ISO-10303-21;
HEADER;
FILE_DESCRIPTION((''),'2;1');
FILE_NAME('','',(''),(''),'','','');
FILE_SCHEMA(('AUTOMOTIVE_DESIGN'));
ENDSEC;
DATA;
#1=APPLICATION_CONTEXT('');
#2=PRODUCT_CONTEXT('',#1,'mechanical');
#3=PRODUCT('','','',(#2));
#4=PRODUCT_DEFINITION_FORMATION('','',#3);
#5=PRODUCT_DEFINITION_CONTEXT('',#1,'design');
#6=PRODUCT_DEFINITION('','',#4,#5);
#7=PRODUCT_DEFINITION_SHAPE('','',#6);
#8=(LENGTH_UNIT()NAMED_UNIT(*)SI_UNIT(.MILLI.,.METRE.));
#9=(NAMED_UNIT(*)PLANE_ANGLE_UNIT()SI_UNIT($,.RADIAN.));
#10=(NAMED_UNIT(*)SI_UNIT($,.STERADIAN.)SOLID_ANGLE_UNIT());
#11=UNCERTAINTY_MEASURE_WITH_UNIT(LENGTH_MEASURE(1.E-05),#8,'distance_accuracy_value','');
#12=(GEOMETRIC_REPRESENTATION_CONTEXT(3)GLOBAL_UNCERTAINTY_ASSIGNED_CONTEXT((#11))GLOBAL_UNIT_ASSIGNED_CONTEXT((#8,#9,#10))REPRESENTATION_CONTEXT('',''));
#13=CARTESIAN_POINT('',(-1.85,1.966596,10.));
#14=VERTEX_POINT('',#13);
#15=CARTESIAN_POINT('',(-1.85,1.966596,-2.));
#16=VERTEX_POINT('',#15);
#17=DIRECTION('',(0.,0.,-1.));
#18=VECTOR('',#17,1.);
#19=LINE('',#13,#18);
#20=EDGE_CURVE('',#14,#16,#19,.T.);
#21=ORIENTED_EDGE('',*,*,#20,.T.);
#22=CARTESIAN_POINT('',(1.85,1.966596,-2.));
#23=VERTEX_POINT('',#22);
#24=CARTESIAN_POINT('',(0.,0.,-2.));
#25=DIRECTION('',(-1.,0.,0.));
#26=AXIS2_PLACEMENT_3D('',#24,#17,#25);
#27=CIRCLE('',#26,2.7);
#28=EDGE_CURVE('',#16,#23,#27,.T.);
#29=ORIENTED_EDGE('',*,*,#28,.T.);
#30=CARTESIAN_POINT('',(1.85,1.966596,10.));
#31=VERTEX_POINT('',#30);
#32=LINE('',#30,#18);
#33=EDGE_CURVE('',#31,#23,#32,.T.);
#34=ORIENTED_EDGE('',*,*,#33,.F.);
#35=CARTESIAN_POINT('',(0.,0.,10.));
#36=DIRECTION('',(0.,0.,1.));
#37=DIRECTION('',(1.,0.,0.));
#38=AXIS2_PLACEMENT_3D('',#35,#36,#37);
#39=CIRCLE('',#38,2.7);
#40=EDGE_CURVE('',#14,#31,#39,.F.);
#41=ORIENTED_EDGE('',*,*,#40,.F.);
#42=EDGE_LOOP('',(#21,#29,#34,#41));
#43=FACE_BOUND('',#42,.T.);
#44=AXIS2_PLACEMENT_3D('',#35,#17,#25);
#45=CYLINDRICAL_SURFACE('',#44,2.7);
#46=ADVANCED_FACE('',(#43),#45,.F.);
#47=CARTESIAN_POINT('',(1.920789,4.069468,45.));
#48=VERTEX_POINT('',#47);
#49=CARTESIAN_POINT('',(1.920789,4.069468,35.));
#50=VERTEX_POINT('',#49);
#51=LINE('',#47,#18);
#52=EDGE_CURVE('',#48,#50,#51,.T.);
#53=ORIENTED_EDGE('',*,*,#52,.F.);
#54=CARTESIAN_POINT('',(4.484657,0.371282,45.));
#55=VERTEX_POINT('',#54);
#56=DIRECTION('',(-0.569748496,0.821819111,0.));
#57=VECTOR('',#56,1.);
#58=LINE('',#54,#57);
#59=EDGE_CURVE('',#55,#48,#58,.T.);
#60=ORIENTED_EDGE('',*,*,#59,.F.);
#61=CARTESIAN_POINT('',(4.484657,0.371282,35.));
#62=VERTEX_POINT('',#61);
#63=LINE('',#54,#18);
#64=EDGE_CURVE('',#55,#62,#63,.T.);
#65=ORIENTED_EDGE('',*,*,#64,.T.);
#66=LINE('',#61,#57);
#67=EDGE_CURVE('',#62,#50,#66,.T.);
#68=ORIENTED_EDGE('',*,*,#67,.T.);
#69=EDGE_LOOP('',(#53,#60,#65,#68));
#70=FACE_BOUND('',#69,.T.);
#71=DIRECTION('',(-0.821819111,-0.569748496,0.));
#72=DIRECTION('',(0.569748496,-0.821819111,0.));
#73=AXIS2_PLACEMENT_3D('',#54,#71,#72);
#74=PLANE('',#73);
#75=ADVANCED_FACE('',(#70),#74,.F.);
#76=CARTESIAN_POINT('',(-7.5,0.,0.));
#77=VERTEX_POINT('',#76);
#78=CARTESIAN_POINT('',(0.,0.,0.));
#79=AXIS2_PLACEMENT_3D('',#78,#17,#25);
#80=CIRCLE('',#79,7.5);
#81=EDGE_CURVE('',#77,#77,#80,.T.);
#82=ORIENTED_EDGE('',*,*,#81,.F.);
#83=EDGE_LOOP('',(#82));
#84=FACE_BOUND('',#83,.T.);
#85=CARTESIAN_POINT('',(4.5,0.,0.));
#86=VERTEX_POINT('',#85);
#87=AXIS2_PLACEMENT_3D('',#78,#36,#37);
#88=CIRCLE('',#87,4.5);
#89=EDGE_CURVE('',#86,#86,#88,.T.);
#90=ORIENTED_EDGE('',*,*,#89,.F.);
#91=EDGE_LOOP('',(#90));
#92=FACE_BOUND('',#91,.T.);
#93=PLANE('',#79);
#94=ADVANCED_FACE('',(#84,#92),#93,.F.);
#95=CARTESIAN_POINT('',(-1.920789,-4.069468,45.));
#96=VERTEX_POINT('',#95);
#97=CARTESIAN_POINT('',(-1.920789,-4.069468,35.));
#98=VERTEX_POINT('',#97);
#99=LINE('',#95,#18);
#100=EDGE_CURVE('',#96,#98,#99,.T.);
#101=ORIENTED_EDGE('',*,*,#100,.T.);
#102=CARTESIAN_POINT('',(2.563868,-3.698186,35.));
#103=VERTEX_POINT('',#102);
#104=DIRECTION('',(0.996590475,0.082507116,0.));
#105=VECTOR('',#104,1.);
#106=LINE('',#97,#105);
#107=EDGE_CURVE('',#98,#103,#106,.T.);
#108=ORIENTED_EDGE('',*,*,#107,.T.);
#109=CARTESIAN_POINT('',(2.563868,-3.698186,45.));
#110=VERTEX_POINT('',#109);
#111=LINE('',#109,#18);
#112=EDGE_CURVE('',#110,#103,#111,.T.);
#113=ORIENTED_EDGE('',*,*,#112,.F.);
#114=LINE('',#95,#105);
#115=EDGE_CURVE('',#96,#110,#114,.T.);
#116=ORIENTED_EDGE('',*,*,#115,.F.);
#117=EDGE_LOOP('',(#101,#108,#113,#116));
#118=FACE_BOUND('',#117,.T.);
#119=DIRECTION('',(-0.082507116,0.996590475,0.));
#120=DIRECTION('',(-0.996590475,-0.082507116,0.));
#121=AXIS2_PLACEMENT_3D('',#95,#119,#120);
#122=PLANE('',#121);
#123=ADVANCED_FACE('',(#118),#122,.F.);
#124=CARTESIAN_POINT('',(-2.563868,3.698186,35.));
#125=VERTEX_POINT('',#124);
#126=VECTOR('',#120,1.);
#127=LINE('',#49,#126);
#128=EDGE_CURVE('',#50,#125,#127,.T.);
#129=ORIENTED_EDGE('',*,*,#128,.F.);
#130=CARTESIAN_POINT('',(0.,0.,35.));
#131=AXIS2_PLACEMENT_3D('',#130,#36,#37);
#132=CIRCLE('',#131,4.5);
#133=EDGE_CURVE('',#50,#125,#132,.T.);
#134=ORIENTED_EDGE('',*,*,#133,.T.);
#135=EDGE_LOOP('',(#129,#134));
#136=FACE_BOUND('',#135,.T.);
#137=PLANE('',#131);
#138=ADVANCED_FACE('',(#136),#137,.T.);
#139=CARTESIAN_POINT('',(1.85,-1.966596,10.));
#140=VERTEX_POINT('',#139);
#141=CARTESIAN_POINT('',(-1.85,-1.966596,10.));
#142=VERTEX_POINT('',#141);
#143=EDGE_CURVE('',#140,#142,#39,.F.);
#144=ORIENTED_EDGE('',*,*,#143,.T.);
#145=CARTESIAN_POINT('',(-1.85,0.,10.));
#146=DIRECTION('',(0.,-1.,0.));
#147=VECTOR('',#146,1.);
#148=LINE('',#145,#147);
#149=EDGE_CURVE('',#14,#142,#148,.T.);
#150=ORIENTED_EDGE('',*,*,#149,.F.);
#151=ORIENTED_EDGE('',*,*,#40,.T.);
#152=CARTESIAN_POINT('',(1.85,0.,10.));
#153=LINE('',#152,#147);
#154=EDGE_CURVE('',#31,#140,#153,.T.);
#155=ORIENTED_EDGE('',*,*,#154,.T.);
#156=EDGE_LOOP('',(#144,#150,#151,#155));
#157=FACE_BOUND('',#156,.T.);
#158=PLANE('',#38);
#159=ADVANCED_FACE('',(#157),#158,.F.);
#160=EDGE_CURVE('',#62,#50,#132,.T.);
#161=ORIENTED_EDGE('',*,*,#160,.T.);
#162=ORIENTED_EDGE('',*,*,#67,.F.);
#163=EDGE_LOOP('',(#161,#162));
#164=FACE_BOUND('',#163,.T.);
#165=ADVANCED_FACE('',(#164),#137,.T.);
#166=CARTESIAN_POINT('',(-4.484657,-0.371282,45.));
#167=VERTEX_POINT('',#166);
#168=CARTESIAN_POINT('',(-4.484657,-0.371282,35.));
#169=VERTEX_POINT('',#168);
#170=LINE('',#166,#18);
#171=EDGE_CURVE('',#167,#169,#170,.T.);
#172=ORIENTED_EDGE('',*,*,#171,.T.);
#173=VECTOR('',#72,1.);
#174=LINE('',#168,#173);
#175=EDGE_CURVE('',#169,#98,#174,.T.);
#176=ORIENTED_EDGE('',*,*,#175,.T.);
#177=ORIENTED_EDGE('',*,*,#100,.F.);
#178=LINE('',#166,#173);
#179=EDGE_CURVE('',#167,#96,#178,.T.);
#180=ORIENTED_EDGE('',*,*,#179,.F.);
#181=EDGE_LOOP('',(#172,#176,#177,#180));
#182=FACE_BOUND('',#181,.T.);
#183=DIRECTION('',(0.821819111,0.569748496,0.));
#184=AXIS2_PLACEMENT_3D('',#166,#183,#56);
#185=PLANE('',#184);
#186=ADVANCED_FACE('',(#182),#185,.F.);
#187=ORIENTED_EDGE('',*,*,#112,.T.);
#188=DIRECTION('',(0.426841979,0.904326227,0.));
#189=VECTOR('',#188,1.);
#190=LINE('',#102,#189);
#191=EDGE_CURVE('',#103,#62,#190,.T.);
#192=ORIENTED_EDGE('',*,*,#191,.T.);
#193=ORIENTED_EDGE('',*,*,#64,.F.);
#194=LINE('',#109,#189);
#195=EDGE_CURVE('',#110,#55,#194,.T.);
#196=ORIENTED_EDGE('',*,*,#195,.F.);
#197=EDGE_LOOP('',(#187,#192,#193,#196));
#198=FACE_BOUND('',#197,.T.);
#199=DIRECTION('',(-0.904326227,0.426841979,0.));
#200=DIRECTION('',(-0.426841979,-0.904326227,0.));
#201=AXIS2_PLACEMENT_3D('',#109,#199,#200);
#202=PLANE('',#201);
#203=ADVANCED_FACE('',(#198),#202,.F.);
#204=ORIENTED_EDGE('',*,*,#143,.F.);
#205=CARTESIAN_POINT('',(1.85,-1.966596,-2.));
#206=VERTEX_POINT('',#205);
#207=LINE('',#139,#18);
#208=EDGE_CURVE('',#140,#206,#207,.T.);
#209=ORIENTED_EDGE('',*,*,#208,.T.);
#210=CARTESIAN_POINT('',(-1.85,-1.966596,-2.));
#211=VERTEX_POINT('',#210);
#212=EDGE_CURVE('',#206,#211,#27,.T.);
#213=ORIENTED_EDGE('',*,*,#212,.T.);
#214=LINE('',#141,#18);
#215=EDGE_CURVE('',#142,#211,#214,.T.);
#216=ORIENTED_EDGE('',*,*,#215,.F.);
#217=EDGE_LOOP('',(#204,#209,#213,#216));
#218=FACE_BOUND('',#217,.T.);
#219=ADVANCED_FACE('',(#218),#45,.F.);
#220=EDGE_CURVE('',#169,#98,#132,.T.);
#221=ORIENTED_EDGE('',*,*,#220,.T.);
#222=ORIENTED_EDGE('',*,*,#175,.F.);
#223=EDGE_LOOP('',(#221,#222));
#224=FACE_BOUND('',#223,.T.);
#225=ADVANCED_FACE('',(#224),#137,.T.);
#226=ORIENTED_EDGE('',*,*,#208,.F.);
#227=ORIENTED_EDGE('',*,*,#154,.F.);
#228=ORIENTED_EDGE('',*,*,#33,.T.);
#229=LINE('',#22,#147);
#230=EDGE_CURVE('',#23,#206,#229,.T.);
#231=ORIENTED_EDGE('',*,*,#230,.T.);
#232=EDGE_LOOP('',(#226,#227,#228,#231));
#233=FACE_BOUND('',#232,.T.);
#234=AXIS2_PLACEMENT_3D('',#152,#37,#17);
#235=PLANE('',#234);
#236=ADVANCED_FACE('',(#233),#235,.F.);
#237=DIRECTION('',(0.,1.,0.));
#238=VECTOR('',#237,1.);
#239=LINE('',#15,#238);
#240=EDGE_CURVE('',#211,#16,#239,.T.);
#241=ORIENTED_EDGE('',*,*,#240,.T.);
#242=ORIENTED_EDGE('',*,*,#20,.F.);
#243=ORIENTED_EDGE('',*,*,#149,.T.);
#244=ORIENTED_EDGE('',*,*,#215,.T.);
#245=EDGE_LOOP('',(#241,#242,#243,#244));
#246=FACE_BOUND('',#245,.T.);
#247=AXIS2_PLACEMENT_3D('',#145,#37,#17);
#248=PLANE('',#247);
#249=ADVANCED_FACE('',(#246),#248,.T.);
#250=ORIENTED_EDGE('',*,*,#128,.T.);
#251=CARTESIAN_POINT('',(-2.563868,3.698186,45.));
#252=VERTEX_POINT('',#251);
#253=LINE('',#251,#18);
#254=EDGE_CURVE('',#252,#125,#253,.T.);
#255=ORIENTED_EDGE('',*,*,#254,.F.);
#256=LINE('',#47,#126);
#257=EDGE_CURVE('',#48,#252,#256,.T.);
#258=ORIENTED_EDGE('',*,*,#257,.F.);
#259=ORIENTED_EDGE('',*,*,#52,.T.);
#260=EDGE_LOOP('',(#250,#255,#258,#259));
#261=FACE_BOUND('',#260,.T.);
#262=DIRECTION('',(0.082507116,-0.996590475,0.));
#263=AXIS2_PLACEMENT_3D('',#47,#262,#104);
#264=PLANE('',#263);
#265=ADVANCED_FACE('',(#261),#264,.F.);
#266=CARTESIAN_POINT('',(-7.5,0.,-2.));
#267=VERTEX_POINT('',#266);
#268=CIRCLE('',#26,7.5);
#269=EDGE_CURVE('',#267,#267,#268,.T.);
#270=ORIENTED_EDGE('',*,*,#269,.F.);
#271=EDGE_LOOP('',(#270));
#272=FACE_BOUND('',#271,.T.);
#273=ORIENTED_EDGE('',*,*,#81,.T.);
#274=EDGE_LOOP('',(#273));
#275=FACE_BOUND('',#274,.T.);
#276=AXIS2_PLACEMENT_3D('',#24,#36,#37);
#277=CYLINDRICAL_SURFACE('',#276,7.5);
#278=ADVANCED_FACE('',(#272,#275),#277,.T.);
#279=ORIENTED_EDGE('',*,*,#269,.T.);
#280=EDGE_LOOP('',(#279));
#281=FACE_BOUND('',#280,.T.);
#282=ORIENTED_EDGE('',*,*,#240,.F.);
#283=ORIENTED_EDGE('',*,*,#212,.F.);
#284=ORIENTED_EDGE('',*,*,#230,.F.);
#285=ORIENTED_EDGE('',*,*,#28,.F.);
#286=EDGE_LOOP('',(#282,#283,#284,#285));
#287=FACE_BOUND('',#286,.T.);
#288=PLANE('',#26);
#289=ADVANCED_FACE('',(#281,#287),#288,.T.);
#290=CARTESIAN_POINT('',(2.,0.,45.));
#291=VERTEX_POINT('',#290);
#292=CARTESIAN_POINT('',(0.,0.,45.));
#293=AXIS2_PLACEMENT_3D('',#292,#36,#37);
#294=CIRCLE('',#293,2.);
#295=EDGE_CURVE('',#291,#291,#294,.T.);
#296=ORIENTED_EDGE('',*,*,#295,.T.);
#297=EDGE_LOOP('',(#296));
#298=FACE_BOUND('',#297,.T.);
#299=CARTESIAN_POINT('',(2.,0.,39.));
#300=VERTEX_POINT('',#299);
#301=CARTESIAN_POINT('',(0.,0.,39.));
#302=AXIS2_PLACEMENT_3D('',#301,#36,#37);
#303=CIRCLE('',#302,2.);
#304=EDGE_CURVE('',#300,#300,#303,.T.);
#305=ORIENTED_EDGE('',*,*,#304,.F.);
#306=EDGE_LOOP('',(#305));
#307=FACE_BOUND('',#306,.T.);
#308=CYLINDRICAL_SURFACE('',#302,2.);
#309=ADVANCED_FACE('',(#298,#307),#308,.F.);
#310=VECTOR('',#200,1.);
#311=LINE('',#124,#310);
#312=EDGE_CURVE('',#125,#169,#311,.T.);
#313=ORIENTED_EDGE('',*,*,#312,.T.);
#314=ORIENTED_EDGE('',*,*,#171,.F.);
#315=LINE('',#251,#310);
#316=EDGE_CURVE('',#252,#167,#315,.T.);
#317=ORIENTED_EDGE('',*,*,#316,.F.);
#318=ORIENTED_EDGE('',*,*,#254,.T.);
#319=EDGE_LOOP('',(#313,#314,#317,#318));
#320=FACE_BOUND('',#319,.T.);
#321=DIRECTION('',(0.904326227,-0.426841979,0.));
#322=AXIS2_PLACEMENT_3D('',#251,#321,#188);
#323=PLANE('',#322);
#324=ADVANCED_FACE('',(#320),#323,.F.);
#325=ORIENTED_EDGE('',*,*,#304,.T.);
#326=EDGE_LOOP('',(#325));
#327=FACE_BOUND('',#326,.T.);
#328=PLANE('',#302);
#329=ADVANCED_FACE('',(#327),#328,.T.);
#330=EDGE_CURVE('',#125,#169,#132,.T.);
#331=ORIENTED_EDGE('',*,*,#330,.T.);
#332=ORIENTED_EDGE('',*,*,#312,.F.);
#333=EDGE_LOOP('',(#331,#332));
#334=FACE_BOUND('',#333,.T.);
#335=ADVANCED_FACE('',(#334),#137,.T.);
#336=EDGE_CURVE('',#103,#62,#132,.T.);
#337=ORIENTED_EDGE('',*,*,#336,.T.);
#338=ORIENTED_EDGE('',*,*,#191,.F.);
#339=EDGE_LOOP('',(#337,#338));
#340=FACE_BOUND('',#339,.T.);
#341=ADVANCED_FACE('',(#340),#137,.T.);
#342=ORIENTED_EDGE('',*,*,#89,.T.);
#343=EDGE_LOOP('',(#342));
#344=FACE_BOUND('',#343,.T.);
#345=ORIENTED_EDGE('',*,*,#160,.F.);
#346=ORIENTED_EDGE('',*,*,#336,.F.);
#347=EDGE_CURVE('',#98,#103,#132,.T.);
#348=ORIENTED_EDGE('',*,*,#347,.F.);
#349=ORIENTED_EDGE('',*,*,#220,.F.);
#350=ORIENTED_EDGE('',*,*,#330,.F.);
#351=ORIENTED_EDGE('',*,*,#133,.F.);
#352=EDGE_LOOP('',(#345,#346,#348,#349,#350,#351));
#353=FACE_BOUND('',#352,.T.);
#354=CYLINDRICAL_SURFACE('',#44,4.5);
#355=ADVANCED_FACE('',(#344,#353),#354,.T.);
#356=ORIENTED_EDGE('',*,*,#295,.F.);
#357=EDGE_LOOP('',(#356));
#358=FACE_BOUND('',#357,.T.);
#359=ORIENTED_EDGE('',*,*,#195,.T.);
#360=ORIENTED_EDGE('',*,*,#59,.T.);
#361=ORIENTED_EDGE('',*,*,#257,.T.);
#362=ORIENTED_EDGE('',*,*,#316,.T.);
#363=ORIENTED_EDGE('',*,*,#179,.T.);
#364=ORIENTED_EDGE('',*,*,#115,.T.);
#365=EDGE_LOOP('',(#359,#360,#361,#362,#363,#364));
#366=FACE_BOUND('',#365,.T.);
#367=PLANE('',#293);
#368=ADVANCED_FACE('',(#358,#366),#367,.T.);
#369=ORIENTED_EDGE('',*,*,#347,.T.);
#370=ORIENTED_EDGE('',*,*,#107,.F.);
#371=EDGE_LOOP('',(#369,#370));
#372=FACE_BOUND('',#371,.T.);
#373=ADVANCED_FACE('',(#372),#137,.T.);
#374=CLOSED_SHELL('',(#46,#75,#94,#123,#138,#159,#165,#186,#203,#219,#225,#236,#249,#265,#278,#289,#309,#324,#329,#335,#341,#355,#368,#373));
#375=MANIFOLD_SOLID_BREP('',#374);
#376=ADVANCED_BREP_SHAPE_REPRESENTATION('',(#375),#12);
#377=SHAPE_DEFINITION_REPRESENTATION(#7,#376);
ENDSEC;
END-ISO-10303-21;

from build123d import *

# Parameters (mm, degrees)
SKETCH1_R           = 4.5
BOSS_EXTRUDE1_DEPTH = 10
BOSS_EXTRUDE2_START = 2
SKETCH2_R           = 7.5
BOSS_EXTRUDE2_DEPTH = 2
SKETCH3_R           = 4.5
BOSS_EXTRUDE3_DEPTH = 25
BOSS_EXTRUDE4_DEPTH = 10
SKETCH5_R           = 2
CUT_EXTRUDE1_DEPTH  = 6


with BuildPart() as part:
    # Sketch1 → Boss-Extrude1 (new body)
    with BuildSketch(Plane.XY):
        Circle(SKETCH1_R)
        with BuildLine():
            Line((-1.85, 1.966596044), (-1.85, -1.966596044))
            ThreePointArc((-1.85, -1.966596044), (0, -2.7), (1.85, -1.966596044))
            Line((1.85, -1.966596044), (1.85, 1.966596044))
            ThreePointArc((1.85, 1.966596044), (1.851058142, 1.9656001), (1.852115749, 1.964603587))
            ThreePointArc((1.852115749, 1.964603587), (0.001453124, 2.699999609), (-1.85, 1.966596044))
        make_face(mode=Mode.SUBTRACT)
    extrude(amount=BOSS_EXTRUDE1_DEPTH)

    # Sketch2 → Boss-Extrude2 (add)
    with BuildSketch(Plane(origin=(0, 0, 0), x_dir=(-1, 0, 0), z_dir=(0, 0, -1)).offset(BOSS_EXTRUDE2_START)):
        Circle(SKETCH2_R)
        with BuildLine():
            Line((1.85, 1.966596044), (1.85, -1.966596044))
            ThreePointArc((1.85, -1.966596044), (0, -2.7), (-1.85, -1.966596044))
            Line((-1.85, -1.966596044), (-1.85, 1.966596044))
            ThreePointArc((-1.85, 1.966596044), (0, 2.7), (1.85, 1.966596044))
        make_face(mode=Mode.SUBTRACT)
    extrude(amount=-BOSS_EXTRUDE2_DEPTH)

    # Sketch3 → Boss-Extrude3 (add)
    with BuildSketch(Plane.XY.offset(10)):
        Circle(SKETCH3_R)
    extrude(amount=BOSS_EXTRUDE3_DEPTH)

    # Sketch4 → Boss-Extrude4 (add)
    with BuildSketch(Plane.XY.offset(35)):
        Polygon((1.920788906, 4.069468022), (-2.563868233, 3.698185999), (-4.48465714, -0.371282023), (-1.920788906, -4.069468022), (2.563868233, -3.698185999), (4.48465714, 0.371282023), align=None)
    extrude(amount=BOSS_EXTRUDE4_DEPTH)

    # Sketch5 → Cut-Extrude1 (cut)
    with BuildSketch(Plane.XY.offset(45)):
        Circle(SKETCH5_R)
    extrude(amount=-CUT_EXTRUDE1_DEPTH, mode=Mode.SUBTRACT)


solid = part.part
